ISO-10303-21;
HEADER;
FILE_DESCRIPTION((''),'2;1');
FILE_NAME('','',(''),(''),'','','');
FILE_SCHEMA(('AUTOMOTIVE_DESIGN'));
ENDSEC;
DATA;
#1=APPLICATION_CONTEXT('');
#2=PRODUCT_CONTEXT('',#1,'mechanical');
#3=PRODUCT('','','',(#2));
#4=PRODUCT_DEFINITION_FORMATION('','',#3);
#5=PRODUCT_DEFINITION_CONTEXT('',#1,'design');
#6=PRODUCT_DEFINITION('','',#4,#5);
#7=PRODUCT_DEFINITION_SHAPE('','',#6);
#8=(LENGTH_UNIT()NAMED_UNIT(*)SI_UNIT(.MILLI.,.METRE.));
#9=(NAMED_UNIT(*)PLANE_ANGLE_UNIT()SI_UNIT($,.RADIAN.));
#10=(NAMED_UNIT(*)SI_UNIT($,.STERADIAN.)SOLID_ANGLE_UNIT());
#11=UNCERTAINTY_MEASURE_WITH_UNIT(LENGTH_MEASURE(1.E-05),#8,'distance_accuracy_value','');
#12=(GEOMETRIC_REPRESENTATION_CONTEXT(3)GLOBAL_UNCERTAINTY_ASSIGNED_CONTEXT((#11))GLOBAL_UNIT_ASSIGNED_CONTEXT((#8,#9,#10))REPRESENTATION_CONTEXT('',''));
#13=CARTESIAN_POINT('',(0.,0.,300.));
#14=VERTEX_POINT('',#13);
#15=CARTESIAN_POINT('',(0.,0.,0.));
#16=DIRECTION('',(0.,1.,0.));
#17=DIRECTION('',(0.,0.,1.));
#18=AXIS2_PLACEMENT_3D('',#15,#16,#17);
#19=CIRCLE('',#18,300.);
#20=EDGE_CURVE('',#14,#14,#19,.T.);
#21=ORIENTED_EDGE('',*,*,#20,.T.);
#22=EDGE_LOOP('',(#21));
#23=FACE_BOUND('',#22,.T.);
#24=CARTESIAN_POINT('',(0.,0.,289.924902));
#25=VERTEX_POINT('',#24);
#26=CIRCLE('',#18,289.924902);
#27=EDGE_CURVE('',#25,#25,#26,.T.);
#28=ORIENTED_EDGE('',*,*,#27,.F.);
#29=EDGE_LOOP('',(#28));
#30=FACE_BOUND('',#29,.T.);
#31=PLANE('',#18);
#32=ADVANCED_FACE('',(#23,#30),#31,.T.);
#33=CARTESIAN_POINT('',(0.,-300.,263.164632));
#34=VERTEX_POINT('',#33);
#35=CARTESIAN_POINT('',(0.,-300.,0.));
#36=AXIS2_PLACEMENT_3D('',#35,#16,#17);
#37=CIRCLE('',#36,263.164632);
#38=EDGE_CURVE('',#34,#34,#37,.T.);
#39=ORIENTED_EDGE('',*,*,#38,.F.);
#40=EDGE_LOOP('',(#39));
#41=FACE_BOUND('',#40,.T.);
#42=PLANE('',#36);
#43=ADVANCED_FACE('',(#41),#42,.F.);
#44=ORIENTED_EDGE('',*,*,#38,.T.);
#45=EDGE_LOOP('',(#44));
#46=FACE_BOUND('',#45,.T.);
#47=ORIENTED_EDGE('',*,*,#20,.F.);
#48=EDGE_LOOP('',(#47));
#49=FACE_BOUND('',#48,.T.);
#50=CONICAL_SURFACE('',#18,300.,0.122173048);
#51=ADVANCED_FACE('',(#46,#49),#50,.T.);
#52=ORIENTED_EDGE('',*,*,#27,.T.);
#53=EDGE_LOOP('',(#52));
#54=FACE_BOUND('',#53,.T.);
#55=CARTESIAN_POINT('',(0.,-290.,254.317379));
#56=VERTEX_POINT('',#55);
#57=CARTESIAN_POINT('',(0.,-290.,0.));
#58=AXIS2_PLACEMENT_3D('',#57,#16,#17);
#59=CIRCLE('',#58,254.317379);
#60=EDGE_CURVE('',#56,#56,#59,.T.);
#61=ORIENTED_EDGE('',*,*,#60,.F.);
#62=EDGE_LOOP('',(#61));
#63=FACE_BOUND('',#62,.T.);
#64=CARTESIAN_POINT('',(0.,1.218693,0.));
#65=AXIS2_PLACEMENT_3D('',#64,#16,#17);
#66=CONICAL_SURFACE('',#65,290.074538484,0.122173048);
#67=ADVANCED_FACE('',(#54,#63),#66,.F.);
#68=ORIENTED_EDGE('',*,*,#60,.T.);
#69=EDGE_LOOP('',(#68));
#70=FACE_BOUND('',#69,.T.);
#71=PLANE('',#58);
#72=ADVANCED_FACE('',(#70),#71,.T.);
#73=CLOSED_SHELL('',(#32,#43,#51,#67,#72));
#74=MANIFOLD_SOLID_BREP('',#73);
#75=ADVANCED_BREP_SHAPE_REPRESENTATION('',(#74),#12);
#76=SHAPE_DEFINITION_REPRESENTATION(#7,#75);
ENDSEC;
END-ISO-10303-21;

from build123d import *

# Parameters (mm, degrees)
SKETCH1_R           = 300
BOSS_EXTRUDE1_DEPTH = 300
BOSS_EXTRUDE1_DRAFT = -7
SHELL2_T            = -10


with BuildPart() as part:
    # Sketch1 → Boss-Extrude1 (with draft: the straight prism first)
    with BuildSketch(Plane(origin=(0, 0, 0), x_dir=(1, 0, 0), z_dir=(0, 1, 0))):
        Circle(SKETCH1_R)
    extrude(amount=-BOSS_EXTRUDE1_DEPTH)
    # Boss-Extrude1: the draft: its side faces are tilted about the plane it starts from
    boss_extrude1_sides = [part.faces().sort_by_distance(p)[0] for p in [
        (-300, -150, 0),
    ]]
    draft(boss_extrude1_sides, Plane(origin=(0, 0, 0), x_dir=(1, 0, 0), z_dir=(0, 1, 0)), BOSS_EXTRUDE1_DRAFT)

    # Shell2
    shell2_openings = [part.faces().sort_by_distance(p)[0] for p in [
        (0, 0, 0),
    ]]
    offset(amount=SHELL2_T, openings=shell2_openings, kind=Kind.INTERSECTION)


solid = part.part
